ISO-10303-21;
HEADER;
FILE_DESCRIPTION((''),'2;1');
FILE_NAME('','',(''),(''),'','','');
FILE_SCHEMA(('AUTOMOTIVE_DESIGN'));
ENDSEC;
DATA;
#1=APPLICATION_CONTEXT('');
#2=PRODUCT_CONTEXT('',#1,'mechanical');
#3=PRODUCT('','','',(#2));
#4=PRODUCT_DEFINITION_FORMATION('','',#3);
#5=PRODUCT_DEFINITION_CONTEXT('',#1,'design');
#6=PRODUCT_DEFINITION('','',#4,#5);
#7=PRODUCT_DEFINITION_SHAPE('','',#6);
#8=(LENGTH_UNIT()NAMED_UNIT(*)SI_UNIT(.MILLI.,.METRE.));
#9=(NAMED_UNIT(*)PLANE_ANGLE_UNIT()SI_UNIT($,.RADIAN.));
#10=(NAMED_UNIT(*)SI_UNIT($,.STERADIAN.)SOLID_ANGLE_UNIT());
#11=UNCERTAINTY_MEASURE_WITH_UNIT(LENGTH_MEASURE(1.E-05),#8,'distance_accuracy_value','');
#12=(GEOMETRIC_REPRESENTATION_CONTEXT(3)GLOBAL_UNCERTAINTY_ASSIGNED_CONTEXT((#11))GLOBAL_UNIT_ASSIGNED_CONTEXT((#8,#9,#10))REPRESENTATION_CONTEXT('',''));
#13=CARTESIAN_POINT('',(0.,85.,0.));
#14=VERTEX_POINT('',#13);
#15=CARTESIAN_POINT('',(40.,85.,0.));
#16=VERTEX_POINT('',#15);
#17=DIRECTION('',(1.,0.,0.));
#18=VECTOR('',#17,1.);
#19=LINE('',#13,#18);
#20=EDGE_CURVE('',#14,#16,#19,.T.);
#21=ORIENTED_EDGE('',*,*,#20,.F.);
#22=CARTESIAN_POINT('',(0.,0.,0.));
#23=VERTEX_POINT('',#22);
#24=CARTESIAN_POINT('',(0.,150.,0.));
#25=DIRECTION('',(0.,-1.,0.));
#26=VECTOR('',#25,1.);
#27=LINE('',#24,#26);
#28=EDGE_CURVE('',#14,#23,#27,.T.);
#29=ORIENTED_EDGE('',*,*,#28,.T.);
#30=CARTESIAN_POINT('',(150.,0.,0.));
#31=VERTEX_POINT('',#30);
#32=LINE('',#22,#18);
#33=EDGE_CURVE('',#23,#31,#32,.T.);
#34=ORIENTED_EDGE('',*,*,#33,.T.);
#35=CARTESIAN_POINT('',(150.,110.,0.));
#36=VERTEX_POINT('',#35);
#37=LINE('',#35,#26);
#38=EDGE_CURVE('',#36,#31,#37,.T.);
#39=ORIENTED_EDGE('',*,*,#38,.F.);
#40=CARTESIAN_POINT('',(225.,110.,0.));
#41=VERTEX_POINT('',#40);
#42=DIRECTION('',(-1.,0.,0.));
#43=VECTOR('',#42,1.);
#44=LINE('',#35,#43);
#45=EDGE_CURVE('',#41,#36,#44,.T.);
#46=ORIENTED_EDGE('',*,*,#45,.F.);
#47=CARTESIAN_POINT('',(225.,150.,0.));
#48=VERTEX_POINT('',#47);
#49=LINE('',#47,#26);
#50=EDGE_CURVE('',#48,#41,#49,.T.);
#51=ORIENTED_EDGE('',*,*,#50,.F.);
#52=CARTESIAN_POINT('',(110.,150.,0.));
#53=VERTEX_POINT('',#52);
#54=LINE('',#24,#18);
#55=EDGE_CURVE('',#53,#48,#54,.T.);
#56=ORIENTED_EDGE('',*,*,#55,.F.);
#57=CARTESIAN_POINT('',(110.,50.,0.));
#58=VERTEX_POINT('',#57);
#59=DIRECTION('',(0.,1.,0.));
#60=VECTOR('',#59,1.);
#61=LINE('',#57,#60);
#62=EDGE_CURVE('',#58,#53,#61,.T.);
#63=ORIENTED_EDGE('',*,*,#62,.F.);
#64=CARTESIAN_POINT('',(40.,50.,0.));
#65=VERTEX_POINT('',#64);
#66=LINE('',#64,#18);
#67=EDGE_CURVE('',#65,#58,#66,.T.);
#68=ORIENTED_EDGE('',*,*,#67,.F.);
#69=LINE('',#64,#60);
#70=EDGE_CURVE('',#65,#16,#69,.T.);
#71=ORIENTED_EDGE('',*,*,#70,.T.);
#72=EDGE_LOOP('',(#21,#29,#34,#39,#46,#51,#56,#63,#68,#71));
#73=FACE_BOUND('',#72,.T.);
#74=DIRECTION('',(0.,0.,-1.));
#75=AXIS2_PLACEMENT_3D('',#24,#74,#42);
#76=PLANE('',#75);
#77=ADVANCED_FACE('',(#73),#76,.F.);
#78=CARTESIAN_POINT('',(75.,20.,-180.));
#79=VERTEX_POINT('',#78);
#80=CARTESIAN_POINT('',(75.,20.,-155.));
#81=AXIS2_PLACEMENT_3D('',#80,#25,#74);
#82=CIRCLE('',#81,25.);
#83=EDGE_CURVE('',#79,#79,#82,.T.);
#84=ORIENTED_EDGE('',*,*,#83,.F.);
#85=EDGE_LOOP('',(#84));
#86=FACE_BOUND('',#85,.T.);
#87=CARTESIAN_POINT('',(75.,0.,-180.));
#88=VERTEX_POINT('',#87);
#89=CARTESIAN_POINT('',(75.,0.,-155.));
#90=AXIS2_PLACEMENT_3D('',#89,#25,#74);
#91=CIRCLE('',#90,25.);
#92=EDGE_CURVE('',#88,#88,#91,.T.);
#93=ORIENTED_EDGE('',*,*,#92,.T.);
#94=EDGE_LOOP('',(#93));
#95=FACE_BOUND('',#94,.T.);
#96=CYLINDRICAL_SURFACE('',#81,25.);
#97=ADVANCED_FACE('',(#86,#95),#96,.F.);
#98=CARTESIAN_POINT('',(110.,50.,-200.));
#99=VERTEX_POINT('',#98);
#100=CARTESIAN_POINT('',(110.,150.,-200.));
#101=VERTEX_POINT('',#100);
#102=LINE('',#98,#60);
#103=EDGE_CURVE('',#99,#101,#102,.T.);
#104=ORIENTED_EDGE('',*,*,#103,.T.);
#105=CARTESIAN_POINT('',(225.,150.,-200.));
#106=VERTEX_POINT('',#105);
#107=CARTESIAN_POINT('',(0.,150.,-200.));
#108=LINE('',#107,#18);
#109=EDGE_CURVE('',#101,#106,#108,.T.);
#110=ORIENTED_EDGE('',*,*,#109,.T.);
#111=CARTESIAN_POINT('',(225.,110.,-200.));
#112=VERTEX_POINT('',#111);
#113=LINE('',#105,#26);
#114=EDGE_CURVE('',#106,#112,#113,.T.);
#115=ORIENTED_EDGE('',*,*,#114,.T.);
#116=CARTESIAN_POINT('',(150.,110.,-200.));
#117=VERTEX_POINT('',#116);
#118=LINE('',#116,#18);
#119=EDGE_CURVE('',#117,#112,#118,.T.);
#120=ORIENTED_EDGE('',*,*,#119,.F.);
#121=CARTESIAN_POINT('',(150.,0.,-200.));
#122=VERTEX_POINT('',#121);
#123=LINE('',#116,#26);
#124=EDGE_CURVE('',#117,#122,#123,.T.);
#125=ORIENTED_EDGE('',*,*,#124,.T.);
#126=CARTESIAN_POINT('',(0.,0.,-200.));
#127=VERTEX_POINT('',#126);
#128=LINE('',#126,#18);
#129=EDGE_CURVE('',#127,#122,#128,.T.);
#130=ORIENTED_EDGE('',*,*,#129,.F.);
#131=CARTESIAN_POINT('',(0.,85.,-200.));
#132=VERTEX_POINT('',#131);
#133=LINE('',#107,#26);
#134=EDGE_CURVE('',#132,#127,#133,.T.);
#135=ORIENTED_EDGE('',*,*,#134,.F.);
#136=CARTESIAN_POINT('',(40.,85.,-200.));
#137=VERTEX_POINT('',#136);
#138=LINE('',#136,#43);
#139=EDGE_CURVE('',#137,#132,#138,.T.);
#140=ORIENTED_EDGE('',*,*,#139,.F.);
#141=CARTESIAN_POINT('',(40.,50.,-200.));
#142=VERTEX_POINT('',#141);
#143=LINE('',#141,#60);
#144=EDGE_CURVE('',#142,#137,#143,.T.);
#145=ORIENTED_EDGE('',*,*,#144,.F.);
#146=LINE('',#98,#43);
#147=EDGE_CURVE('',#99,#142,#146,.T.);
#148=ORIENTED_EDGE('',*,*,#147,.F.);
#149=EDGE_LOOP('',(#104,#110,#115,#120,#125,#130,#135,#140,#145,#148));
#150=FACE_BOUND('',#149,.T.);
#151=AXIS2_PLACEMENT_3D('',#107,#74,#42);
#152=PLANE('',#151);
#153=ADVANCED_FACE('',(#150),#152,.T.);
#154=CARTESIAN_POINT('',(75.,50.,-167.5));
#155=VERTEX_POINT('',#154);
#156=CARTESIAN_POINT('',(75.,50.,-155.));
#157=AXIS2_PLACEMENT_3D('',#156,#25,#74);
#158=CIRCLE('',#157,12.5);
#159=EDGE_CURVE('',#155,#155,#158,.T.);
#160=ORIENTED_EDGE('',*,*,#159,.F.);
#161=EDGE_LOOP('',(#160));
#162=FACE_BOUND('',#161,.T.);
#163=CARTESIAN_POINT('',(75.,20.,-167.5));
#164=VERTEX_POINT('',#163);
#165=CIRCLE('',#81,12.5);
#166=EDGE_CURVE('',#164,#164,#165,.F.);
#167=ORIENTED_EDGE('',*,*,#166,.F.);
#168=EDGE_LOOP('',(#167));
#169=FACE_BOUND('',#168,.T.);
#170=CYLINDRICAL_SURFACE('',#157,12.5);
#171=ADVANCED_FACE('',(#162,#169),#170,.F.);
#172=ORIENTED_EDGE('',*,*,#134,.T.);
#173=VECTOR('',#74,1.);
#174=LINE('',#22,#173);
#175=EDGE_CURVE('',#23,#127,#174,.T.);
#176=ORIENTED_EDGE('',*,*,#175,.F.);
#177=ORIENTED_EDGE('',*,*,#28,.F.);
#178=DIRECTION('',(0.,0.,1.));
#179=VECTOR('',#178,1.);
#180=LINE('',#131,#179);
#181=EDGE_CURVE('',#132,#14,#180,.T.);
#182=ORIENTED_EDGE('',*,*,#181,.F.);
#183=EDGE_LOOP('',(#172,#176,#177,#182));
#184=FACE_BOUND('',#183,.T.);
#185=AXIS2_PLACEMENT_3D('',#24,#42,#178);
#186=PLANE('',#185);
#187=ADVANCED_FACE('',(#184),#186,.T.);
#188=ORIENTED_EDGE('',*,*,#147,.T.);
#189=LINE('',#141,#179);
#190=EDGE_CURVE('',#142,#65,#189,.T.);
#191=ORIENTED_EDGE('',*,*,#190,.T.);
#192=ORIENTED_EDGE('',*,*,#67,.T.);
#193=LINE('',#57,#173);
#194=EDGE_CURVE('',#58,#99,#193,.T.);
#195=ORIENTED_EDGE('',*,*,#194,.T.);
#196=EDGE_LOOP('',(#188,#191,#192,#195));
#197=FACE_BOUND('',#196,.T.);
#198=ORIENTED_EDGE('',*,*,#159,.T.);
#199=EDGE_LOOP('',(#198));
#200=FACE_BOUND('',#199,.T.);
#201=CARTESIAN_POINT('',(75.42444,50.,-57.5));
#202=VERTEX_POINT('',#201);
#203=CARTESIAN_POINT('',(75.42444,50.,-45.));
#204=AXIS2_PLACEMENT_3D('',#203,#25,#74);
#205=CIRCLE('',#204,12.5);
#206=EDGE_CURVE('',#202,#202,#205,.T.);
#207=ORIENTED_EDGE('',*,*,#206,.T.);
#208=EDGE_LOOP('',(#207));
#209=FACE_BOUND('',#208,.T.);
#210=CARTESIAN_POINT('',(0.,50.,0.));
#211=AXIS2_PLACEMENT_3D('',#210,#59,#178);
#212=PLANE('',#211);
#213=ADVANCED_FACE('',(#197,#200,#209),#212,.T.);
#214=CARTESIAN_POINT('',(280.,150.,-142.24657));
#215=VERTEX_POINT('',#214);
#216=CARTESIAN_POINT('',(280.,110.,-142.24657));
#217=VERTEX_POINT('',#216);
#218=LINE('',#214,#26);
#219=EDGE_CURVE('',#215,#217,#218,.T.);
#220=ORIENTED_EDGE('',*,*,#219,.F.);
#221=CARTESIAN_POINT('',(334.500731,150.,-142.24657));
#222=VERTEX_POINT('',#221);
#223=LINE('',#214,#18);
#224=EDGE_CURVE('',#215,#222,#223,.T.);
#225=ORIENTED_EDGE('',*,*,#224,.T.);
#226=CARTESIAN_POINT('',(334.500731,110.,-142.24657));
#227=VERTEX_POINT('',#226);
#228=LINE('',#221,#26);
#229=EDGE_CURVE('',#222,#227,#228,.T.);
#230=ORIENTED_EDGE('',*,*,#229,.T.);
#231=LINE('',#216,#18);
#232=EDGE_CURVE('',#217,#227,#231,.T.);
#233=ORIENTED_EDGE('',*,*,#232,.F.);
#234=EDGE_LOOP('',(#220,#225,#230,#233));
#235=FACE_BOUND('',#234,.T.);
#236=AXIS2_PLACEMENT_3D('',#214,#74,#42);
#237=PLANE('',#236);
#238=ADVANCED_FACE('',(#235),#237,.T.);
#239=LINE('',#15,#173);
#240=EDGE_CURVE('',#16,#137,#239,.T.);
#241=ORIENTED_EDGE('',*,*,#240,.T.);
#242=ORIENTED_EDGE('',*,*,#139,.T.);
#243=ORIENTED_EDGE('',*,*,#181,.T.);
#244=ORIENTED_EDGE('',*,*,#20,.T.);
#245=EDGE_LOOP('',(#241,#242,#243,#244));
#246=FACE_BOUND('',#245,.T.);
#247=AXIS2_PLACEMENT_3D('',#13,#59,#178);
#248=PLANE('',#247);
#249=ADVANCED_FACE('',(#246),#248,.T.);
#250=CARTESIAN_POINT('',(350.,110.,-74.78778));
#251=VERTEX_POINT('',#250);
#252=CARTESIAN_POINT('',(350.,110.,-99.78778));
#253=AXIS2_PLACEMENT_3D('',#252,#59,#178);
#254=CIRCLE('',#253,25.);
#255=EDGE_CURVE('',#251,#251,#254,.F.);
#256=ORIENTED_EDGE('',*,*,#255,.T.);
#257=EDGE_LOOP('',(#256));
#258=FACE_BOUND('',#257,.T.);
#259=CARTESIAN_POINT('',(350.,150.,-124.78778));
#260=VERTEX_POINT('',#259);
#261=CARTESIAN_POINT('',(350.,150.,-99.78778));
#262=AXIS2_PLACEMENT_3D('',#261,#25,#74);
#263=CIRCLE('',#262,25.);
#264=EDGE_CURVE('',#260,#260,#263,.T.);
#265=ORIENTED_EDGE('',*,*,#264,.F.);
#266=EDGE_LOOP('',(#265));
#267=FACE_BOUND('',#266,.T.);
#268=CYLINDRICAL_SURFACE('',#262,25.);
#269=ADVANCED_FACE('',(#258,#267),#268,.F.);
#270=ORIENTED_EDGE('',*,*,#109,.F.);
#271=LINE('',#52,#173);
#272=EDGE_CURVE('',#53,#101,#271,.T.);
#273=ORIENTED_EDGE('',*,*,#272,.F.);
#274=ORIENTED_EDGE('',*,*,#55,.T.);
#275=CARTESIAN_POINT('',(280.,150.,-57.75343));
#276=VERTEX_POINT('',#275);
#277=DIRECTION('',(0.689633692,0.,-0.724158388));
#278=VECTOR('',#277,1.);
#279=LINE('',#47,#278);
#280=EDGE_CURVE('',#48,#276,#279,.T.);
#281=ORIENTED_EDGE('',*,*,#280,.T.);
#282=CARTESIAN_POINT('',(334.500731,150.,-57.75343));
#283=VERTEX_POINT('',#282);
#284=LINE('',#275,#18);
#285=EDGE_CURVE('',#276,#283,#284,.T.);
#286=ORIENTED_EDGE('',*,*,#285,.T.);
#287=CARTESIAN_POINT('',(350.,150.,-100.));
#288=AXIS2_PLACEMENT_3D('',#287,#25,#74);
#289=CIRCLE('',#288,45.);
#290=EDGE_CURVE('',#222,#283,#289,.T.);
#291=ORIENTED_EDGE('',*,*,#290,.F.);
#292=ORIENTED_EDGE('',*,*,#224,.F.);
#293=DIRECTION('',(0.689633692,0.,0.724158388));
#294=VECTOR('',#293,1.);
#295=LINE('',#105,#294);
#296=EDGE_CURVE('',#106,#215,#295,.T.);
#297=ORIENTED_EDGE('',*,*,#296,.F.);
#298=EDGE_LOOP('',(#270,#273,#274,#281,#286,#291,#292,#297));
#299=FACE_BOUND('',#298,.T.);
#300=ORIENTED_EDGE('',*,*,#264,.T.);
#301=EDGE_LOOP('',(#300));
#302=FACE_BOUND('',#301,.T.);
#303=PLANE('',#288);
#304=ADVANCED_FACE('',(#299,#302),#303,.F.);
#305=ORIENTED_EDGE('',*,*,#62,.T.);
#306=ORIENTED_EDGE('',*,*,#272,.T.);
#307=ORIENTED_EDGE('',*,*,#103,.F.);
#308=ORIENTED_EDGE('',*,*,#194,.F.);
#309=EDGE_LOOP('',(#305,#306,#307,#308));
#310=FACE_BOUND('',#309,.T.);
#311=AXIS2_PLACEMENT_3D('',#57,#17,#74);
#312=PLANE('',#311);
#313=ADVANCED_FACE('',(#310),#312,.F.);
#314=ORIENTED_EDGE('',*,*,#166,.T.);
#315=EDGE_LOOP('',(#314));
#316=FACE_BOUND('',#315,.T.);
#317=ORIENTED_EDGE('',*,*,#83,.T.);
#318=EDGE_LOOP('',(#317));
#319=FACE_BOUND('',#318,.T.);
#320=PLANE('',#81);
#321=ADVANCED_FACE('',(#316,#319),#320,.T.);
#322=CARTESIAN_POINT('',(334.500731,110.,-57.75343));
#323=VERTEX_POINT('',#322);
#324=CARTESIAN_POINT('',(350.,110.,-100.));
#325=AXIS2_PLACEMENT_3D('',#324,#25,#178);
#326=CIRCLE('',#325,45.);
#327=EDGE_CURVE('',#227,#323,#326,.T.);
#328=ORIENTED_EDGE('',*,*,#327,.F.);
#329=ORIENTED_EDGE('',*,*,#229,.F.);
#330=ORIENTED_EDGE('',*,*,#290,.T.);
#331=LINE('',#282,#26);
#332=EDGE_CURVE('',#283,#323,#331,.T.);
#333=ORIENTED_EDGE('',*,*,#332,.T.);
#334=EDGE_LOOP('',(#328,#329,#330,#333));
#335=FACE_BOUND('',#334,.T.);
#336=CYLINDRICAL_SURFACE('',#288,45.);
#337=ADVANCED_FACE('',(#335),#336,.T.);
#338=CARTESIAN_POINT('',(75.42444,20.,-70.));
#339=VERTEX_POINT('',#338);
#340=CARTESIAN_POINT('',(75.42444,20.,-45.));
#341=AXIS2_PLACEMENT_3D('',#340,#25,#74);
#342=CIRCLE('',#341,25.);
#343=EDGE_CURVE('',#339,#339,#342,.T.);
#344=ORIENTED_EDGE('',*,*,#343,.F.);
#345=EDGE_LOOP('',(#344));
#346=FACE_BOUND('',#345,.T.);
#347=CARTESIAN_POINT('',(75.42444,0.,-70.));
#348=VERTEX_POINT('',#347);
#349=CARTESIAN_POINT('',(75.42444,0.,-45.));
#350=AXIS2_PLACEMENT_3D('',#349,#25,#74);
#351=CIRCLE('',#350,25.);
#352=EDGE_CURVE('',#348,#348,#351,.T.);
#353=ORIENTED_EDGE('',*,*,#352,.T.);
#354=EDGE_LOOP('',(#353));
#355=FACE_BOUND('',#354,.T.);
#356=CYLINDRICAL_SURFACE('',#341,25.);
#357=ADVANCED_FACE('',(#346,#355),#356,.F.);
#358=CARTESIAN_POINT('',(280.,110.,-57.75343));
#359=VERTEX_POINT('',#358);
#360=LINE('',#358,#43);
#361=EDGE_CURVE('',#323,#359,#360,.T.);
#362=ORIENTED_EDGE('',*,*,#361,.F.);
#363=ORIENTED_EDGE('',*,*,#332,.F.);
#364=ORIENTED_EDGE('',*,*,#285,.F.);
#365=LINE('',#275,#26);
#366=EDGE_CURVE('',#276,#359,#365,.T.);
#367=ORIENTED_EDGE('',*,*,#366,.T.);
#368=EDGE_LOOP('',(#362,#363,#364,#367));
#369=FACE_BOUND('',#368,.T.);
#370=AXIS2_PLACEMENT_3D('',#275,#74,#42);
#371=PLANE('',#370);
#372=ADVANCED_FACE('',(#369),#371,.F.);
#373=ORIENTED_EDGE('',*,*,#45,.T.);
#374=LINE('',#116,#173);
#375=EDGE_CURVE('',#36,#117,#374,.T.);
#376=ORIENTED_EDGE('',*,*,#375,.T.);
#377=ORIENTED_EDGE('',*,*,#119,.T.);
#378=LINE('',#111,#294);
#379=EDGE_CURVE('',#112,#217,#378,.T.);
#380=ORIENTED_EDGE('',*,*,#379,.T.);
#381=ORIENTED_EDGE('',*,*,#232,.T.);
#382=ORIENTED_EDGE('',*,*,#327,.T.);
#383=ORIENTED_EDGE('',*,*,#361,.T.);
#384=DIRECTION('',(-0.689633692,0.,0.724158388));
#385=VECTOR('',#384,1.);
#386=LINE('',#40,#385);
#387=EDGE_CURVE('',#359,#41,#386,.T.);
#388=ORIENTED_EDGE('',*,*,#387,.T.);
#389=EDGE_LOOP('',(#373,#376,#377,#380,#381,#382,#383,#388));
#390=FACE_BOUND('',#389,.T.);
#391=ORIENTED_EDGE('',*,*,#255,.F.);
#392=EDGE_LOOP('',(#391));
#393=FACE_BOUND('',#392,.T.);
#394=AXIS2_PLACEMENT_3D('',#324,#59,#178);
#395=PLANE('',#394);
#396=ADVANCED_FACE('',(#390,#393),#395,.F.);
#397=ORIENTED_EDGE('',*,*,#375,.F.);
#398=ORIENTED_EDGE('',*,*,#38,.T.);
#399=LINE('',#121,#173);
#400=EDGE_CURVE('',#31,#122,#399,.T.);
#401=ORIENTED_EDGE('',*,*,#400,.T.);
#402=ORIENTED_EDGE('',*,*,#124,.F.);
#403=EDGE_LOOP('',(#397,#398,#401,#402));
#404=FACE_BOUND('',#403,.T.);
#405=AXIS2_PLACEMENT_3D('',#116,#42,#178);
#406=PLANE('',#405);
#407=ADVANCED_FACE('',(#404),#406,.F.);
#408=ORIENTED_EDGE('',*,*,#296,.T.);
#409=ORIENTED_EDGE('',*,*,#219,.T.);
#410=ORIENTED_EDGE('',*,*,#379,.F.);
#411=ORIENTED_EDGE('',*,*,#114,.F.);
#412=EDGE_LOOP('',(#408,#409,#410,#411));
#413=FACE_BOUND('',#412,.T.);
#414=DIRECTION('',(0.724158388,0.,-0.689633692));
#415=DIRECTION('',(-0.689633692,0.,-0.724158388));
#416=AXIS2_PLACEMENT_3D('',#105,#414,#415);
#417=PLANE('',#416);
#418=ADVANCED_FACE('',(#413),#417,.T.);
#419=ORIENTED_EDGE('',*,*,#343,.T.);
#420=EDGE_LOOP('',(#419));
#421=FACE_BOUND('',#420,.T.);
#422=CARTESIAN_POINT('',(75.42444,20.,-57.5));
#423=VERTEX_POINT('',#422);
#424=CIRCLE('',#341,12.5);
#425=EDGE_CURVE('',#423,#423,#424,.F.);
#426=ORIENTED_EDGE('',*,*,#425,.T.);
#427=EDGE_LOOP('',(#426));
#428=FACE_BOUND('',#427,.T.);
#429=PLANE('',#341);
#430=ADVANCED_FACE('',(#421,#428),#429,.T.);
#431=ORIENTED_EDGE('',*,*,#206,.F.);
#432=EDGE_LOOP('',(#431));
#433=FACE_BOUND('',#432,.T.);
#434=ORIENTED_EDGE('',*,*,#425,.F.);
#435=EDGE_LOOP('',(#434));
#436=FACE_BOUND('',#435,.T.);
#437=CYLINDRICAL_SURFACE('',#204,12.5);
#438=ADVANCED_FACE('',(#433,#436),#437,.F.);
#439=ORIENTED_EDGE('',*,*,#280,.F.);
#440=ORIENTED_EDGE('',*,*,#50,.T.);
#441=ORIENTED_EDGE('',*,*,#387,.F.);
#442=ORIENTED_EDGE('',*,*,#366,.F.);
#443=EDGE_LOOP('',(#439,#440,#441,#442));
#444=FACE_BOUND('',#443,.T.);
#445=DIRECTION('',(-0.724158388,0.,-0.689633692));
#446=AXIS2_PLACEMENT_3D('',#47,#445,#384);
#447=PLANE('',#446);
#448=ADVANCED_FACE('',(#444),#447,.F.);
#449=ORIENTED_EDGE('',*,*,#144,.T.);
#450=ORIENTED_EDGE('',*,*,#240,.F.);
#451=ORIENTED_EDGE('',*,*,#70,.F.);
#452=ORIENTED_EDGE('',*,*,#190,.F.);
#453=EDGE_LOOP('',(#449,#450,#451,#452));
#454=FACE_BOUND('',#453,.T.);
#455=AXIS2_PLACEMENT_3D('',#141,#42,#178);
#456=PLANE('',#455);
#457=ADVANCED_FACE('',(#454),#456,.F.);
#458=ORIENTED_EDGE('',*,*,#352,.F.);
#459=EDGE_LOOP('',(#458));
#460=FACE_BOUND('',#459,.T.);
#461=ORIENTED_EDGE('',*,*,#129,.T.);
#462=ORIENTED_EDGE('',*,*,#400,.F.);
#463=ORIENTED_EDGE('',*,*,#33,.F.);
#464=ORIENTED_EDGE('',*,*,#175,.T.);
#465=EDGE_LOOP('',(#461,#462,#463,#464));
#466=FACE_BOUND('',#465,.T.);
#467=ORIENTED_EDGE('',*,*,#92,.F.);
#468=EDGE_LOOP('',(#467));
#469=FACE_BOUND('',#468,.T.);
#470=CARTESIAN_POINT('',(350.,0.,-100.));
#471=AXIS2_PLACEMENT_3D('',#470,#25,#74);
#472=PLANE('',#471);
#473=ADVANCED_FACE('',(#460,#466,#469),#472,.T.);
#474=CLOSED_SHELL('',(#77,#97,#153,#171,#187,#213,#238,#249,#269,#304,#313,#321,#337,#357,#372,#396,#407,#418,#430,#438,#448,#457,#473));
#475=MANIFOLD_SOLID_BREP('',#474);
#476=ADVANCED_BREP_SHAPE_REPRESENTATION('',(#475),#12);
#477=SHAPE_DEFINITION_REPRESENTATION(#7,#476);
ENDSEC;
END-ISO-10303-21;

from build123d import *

# Parameters (mm, degrees)
BOSS_EXTRUDE3_DEPTH = 150
SKETCH6_R           = 12.5
CUT_EXTRUDE3_DEPTH  = 50
SKETCH7_R           = 25
CUT_EXTRUDE4_DEPTH  = 20
SKETCH8_R           = 12.5
CUT_EXTRUDE7_DEPTH  = 50
SKETCH11_R          = 25
CUT_EXTRUDE8_DEPTH  = 20
SKETCH12_R          = 25
CUT_EXTRUDE9_DEPTH  = 150
SKETCH14_W          = 40
SKETCH14_H          = 200
CUT_EXTRUDE10_DEPTH = 65
SKETCH15_W          = 70
SKETCH15_H          = 200
CUT_EXTRUDE11_DEPTH = 100
CUT_EXTRUDE12_DEPTH = 110


with BuildPart() as part:
    # Sketch2 → Boss-Extrude3 (new body)
    with BuildSketch(Plane(origin=(0, 0, 0), x_dir=(1, 0, 0), z_dir=(0, 1, 0))):
        with BuildLine():
            Line((0, 0), (0, 200))
            Line((0, 200), (225, 200))
            Line((225, 200), (280, 142.246569699))
            Line((280, 142.246569699), (334.500730705, 142.246569699))
            ThreePointArc((334.500730705, 142.246569699), (395, 100), (334.500730705, 57.753430301))
            Line((334.500730705, 57.753430301), (280, 57.753430301))
            Line((280, 57.753430301), (225, 0))
            Line((225, 0), (0, 0))
        make_face()
    extrude(amount=BOSS_EXTRUDE3_DEPTH)

    # Sketch6 → Cut-Extrude3 (cut)
    with BuildSketch(Plane.XZ):
        with Locations(Location((75.424439909, -45, 0), (0, 0, 270))):
            Circle(SKETCH6_R)
    extrude(amount=-CUT_EXTRUDE3_DEPTH, mode=Mode.SUBTRACT)

    # Sketch7 → Cut-Extrude4 (cut)
    with BuildSketch(Plane.XZ):
        with Locations(Location((75.424439909, -45, 0), (0, 0, 270))):
            Circle(SKETCH7_R)
    extrude(amount=-CUT_EXTRUDE4_DEPTH, mode=Mode.SUBTRACT)

    # Sketch8 → Cut-Extrude7 (cut)
    with BuildSketch(Plane.XZ):
        with Locations(Location((75, -155, 0), (0, 0, 270))):
            Circle(SKETCH8_R)
    extrude(amount=-CUT_EXTRUDE7_DEPTH, mode=Mode.SUBTRACT)

    # Sketch11 → Cut-Extrude8 (cut)
    with BuildSketch(Plane(origin=(0, 0, 0), x_dir=(-1, 0, 0), z_dir=(0, -1, 0))):
        with Locations(Location((-75, 155, 0), (0, 0, 90))):
            Circle(SKETCH11_R)
    extrude(amount=-CUT_EXTRUDE8_DEPTH, mode=Mode.SUBTRACT)

    # Sketch12 → Cut-Extrude9 (cut)
    with BuildSketch(Plane(origin=(0, 0, 0), x_dir=(-1, 0, 0), z_dir=(0, -1, 0))):
        with Locations(Location((-350, 99.787780046, 0), (0, 0, 90))):
            Circle(SKETCH12_R)
    extrude(amount=-CUT_EXTRUDE9_DEPTH, mode=Mode.SUBTRACT)

    # Sketch14 → Cut-Extrude10 (cut)
    with BuildSketch(Plane(origin=(0, 150, 0), x_dir=(1, 0, 0), z_dir=(0, 1, 0))):
        with Locations((20, 100)):
            Rectangle(SKETCH14_W, SKETCH14_H)
    extrude(amount=-CUT_EXTRUDE10_DEPTH, mode=Mode.SUBTRACT)

    # Sketch15 → Cut-Extrude11 (cut)
    with BuildSketch(Plane(origin=(0, 150, 0), x_dir=(1, 0, 0), z_dir=(0, 1, 0))):
        with Locations((75, 100)):
            Rectangle(SKETCH15_W, SKETCH15_H)
    extrude(amount=-CUT_EXTRUDE11_DEPTH, mode=Mode.SUBTRACT)

    # Sketch16 → Cut-Extrude12 (cut)
    with BuildSketch(Plane.XZ):
        with BuildLine():
            Line((150, -200), (150, 0))
            Line((150, 0), (225, 0))
            Line((225, 0), (280, -57.753430301))
            Line((280, -57.753430301), (334.500730705, -57.753430301))
            ThreePointArc((334.500730705, -57.753430301), (395, -100), (334.500730705, -142.246569699))
            Line((334.500730705, -142.246569699), (280, -142.246569699))
            Line((280, -142.246569699), (225, -200))
            Line((225, -200), (150, -200))
        make_face()
    extrude(amount=-CUT_EXTRUDE12_DEPTH, mode=Mode.SUBTRACT)


solid = part.part
